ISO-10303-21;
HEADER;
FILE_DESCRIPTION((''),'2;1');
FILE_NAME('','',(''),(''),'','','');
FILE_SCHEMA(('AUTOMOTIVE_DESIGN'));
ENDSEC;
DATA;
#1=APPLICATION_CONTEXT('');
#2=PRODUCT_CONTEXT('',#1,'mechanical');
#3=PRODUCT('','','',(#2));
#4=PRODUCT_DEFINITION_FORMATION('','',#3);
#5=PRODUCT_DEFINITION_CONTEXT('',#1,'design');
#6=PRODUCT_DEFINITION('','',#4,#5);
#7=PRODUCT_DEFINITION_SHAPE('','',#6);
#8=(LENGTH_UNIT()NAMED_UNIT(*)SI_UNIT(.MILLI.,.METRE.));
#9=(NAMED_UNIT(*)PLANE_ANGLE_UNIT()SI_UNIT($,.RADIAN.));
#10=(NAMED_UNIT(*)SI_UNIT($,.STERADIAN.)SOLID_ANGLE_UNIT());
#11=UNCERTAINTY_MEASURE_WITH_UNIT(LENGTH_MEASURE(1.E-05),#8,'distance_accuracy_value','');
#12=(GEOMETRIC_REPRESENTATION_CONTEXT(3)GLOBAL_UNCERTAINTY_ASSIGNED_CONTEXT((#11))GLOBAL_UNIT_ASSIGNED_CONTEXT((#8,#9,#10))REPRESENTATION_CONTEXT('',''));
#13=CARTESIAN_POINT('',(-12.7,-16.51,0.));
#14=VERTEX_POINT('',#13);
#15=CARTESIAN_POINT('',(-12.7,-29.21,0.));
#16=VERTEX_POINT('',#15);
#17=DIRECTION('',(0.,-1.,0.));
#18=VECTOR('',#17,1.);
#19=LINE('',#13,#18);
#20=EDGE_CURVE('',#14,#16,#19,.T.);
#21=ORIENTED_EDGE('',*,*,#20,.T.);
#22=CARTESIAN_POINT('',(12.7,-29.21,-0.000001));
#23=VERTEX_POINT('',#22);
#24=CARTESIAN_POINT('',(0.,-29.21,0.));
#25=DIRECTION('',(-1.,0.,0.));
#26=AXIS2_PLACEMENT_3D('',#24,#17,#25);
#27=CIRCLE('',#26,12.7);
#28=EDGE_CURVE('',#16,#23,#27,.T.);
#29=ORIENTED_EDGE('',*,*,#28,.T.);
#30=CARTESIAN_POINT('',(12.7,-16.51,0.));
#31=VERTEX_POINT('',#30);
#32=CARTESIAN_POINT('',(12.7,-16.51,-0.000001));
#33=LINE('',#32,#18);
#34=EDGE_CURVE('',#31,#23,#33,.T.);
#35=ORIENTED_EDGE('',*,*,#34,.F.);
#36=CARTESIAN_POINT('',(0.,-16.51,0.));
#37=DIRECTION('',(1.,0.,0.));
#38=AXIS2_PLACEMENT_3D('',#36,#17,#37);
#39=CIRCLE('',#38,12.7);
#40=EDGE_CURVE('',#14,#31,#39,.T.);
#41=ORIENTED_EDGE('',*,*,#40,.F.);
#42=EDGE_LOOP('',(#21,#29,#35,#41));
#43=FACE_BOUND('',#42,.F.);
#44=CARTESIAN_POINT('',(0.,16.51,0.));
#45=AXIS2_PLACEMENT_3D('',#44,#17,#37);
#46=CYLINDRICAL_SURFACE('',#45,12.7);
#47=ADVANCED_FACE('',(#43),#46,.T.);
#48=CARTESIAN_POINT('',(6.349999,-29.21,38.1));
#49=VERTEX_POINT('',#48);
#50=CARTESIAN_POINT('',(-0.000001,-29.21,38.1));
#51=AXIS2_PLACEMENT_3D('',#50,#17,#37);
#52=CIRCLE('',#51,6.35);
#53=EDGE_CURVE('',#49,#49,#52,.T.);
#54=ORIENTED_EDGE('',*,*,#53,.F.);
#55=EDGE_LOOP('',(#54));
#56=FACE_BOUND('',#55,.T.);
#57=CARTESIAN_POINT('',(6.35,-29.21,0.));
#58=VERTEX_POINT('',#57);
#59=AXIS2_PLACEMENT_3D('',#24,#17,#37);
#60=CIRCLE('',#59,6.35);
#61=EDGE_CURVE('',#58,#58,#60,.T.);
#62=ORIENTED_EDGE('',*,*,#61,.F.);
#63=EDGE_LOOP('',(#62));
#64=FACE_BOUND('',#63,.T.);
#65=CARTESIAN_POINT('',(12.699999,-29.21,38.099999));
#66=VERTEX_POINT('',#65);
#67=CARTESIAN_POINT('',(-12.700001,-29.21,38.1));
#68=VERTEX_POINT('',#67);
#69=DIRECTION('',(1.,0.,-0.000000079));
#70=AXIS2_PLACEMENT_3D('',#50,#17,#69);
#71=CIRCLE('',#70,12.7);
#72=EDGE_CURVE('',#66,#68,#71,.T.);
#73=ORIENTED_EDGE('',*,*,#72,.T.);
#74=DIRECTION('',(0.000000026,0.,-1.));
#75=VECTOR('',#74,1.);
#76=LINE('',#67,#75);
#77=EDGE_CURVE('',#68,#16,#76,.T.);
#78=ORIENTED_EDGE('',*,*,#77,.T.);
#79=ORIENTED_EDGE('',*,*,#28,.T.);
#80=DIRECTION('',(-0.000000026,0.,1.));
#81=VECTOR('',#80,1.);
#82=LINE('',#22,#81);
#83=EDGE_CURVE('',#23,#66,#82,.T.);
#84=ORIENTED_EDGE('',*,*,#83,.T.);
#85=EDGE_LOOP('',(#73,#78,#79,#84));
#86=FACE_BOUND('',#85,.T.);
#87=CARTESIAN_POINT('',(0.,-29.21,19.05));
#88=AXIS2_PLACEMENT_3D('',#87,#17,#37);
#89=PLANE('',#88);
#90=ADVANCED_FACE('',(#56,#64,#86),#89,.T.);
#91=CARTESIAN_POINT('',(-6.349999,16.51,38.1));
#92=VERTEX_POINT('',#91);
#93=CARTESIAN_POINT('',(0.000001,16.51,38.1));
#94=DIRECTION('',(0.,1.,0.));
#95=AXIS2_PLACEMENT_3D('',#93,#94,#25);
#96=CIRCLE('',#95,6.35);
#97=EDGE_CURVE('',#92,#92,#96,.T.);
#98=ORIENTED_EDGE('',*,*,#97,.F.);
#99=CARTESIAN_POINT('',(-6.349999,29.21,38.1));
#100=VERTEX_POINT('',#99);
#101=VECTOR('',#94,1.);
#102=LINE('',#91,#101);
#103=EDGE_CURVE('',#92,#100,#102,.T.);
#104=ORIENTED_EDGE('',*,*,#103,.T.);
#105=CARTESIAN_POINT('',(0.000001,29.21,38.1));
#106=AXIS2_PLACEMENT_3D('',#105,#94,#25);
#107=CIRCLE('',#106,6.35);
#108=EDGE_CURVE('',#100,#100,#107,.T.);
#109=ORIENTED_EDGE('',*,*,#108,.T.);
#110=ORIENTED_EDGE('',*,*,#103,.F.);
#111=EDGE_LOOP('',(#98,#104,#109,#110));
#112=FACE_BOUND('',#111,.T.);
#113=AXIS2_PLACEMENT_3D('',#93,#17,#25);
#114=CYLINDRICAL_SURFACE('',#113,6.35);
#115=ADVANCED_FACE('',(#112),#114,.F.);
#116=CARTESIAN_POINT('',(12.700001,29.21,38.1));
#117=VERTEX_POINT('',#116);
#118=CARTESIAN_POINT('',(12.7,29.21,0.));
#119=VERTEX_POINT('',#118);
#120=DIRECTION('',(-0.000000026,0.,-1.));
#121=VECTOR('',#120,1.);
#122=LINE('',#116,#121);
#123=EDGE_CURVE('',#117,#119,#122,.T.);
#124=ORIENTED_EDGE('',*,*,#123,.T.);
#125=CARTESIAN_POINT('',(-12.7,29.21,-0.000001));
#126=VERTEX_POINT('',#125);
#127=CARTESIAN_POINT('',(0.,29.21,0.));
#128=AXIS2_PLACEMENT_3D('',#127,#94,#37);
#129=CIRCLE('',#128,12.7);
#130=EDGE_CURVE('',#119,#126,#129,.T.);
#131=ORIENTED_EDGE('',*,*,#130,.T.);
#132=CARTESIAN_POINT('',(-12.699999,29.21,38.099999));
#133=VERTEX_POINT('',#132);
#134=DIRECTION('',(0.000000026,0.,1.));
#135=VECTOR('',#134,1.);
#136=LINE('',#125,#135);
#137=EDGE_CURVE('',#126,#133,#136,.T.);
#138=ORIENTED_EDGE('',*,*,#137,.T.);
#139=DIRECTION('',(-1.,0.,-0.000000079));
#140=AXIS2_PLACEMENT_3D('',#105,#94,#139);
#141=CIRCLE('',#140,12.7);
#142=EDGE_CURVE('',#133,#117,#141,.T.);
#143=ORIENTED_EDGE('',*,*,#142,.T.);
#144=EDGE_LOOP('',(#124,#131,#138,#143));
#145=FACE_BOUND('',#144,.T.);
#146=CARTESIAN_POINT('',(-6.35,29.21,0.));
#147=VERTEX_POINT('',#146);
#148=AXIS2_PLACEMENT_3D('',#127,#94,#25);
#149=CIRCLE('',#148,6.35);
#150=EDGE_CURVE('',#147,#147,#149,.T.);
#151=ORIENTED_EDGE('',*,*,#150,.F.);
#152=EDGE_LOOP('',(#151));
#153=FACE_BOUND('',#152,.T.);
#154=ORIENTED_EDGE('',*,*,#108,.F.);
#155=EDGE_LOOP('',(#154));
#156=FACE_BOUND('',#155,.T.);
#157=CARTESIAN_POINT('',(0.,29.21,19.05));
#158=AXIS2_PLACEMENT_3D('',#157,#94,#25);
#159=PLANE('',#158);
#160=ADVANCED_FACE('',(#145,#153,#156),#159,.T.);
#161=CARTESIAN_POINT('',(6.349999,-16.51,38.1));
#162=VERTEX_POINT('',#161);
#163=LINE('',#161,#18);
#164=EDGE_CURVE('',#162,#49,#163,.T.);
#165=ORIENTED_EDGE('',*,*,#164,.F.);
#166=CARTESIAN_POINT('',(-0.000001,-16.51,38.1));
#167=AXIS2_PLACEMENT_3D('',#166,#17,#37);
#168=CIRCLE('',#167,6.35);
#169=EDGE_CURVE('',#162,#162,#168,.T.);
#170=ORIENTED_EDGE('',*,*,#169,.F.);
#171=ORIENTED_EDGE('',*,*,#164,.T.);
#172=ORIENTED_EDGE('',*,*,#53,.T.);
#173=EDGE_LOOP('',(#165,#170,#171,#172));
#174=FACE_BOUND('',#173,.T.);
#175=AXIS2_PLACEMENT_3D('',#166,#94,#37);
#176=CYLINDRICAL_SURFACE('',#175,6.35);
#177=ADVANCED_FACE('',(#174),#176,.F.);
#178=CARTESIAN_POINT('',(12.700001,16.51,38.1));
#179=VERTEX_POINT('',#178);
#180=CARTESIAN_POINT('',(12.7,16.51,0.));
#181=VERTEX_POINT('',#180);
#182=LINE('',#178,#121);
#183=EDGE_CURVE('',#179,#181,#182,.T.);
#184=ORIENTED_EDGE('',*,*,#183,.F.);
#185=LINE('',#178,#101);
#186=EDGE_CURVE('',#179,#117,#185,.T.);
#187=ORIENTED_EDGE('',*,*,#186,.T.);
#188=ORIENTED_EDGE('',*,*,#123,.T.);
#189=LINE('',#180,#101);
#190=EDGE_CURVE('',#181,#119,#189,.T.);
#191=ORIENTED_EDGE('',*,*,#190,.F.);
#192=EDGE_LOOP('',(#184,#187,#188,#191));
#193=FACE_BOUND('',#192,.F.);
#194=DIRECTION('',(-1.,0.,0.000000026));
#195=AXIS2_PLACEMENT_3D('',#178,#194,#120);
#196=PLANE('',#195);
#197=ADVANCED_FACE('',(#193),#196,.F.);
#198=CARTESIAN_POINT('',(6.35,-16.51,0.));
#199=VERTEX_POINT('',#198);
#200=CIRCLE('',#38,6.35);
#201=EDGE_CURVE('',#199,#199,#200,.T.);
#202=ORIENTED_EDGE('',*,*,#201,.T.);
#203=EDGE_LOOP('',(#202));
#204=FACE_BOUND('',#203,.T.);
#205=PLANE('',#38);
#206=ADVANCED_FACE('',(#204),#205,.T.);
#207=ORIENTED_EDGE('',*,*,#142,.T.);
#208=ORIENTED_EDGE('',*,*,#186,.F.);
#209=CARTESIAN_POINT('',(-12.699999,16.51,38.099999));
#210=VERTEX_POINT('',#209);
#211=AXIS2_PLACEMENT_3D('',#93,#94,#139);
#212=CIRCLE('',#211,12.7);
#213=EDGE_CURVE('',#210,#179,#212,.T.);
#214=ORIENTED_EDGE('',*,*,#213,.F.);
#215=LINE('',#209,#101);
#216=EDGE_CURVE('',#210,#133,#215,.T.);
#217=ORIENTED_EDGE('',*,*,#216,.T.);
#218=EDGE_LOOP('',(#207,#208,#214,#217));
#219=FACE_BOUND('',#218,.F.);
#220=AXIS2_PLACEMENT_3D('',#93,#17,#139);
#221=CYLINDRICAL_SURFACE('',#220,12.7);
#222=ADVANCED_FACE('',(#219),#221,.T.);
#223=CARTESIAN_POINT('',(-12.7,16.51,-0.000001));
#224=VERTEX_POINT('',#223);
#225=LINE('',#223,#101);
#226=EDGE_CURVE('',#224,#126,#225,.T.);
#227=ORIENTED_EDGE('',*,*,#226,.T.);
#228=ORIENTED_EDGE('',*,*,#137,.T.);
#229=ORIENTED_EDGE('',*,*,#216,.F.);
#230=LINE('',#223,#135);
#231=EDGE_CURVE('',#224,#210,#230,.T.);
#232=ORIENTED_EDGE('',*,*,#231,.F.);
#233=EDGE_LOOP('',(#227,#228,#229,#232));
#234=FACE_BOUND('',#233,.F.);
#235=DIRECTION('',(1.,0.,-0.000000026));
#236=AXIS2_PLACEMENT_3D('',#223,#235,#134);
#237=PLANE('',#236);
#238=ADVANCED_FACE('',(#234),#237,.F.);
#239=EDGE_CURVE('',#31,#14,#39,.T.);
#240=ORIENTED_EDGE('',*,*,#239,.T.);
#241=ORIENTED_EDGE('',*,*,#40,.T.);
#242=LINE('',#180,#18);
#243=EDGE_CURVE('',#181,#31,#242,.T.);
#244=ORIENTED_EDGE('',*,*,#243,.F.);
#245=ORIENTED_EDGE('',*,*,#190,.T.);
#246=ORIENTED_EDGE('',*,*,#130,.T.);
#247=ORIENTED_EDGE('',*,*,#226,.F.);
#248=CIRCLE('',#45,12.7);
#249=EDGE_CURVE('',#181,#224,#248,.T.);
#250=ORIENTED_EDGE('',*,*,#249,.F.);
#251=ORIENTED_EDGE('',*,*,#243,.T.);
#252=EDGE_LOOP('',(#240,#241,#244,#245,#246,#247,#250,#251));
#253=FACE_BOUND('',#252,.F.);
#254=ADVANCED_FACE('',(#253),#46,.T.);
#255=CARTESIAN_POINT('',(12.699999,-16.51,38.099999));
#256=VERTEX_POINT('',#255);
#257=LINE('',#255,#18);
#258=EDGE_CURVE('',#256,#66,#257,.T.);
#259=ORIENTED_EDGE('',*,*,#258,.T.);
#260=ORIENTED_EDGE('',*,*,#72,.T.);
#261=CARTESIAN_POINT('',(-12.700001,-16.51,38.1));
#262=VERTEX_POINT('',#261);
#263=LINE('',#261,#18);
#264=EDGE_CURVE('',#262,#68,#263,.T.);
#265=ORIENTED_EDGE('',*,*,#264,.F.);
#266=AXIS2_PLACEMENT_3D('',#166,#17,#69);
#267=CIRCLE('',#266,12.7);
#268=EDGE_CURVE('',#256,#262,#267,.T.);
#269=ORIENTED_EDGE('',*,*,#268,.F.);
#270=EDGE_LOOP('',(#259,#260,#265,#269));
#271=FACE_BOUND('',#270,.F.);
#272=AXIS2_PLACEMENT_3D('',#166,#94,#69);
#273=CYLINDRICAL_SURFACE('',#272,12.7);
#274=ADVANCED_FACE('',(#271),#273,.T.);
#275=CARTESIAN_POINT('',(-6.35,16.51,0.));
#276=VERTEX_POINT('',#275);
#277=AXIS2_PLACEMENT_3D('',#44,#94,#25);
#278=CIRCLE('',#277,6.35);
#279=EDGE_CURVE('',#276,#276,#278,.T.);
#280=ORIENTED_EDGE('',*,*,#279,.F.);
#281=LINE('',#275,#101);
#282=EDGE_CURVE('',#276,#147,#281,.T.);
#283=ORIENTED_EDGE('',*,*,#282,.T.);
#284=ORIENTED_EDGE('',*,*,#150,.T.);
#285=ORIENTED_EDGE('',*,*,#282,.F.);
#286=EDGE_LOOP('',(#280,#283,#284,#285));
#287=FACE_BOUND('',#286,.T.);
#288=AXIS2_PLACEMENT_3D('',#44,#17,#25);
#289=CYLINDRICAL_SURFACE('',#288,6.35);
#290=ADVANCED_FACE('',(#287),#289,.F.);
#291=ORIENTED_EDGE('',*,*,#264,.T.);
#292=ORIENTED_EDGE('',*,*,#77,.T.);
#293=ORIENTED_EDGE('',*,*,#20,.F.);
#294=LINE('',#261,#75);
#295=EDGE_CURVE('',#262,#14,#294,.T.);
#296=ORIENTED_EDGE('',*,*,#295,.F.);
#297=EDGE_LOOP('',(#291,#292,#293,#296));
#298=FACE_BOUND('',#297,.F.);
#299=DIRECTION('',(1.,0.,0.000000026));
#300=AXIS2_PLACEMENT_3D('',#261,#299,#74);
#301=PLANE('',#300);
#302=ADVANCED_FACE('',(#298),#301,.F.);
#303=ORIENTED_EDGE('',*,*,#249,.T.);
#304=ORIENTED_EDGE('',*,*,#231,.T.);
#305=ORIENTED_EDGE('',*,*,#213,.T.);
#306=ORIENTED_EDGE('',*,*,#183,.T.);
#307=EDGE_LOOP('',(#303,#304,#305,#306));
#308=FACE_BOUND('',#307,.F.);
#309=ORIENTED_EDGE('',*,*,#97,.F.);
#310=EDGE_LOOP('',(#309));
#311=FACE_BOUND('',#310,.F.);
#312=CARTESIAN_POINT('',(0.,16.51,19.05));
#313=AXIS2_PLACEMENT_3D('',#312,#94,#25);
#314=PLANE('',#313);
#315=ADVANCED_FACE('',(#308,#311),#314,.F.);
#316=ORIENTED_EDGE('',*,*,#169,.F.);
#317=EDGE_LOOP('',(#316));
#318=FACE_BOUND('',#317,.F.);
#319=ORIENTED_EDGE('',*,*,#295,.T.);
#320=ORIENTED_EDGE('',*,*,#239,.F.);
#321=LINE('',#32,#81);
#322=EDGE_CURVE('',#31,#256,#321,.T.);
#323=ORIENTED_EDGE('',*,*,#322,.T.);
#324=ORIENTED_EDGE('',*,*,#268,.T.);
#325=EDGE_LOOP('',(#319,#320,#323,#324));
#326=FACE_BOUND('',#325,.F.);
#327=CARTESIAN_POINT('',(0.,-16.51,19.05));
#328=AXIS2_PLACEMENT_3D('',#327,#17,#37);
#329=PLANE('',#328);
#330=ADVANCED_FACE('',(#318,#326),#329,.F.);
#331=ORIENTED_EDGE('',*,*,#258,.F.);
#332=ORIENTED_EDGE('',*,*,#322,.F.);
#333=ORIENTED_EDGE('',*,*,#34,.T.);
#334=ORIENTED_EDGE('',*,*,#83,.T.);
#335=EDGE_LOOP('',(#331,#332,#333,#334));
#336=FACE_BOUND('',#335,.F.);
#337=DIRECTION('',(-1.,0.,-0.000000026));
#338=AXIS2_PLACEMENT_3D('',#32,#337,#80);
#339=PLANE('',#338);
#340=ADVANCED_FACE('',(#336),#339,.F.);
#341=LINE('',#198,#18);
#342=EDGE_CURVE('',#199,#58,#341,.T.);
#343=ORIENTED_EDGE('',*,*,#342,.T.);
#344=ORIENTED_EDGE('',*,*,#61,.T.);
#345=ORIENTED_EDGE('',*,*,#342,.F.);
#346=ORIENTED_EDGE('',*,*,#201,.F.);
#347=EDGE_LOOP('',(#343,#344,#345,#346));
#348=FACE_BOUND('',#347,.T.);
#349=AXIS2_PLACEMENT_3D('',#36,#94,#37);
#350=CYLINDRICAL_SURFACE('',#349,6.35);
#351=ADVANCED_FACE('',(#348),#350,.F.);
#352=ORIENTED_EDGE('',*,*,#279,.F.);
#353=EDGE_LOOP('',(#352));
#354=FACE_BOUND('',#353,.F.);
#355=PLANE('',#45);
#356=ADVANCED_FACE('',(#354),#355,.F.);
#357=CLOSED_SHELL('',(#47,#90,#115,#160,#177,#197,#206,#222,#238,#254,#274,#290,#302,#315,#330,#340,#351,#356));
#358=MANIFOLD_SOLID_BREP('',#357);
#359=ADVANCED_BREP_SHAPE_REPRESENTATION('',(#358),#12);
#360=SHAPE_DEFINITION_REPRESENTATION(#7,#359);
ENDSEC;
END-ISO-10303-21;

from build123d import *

# Parameters (mm, degrees)
F0_R     = 12.7
F1_DEPTH = 16.51
F2_R     = 6.35
F3_DEPTH = 12.7
F4_R     = 6.35
F5_DEPTH = 12.7


with BuildPart() as f1:
    # F0 (on Front) → F1 (new body, symmetric)
    with BuildSketch(Plane.XZ):
        Circle(F0_R)
    extrude(amount=F1_DEPTH, both=True)

    # F2 (on face) → F3 (join)
    with BuildSketch(Plane.XZ.offset(16.51)):
        with BuildLine():
            Line((12.7, -1e-06), (12.699999, 38.099999))
            ThreePointArc((12.699999, 38.099999), (0, 50.8), (-12.700001, 38.1))
            Line((-12.700001, 38.1), (-12.7, 0))
            ThreePointArc((-12.7, 0), (0, -12.7), (12.7, -1e-06))
        make_face()
        Circle(F2_R, mode=Mode.SUBTRACT)
        with Locations((-1e-06, 38.1)):
            Circle(F2_R, mode=Mode.SUBTRACT)
    extrude(amount=F3_DEPTH)

    # F4 (on face) → F5 (join)
    with BuildSketch(Plane(origin=(0, 16.51, 0), x_dir=(-1, 0, 0), z_dir=(0, 1, 0))):
        with BuildLine():
            Line((12.7, -1e-06), (12.699999, 38.099999))
            ThreePointArc((12.699999, 38.099999), (0, 50.8), (-12.700001, 38.1))
            Line((-12.700001, 38.1), (-12.7, 0))
            ThreePointArc((-12.7, 0), (0, -12.7), (12.7, -1e-06))
        make_face()
        Circle(F4_R, mode=Mode.SUBTRACT)
        with Locations((-1e-06, 38.1)):
            Circle(F4_R, mode=Mode.SUBTRACT)
    extrude(amount=F5_DEPTH)


solid = f1.part
